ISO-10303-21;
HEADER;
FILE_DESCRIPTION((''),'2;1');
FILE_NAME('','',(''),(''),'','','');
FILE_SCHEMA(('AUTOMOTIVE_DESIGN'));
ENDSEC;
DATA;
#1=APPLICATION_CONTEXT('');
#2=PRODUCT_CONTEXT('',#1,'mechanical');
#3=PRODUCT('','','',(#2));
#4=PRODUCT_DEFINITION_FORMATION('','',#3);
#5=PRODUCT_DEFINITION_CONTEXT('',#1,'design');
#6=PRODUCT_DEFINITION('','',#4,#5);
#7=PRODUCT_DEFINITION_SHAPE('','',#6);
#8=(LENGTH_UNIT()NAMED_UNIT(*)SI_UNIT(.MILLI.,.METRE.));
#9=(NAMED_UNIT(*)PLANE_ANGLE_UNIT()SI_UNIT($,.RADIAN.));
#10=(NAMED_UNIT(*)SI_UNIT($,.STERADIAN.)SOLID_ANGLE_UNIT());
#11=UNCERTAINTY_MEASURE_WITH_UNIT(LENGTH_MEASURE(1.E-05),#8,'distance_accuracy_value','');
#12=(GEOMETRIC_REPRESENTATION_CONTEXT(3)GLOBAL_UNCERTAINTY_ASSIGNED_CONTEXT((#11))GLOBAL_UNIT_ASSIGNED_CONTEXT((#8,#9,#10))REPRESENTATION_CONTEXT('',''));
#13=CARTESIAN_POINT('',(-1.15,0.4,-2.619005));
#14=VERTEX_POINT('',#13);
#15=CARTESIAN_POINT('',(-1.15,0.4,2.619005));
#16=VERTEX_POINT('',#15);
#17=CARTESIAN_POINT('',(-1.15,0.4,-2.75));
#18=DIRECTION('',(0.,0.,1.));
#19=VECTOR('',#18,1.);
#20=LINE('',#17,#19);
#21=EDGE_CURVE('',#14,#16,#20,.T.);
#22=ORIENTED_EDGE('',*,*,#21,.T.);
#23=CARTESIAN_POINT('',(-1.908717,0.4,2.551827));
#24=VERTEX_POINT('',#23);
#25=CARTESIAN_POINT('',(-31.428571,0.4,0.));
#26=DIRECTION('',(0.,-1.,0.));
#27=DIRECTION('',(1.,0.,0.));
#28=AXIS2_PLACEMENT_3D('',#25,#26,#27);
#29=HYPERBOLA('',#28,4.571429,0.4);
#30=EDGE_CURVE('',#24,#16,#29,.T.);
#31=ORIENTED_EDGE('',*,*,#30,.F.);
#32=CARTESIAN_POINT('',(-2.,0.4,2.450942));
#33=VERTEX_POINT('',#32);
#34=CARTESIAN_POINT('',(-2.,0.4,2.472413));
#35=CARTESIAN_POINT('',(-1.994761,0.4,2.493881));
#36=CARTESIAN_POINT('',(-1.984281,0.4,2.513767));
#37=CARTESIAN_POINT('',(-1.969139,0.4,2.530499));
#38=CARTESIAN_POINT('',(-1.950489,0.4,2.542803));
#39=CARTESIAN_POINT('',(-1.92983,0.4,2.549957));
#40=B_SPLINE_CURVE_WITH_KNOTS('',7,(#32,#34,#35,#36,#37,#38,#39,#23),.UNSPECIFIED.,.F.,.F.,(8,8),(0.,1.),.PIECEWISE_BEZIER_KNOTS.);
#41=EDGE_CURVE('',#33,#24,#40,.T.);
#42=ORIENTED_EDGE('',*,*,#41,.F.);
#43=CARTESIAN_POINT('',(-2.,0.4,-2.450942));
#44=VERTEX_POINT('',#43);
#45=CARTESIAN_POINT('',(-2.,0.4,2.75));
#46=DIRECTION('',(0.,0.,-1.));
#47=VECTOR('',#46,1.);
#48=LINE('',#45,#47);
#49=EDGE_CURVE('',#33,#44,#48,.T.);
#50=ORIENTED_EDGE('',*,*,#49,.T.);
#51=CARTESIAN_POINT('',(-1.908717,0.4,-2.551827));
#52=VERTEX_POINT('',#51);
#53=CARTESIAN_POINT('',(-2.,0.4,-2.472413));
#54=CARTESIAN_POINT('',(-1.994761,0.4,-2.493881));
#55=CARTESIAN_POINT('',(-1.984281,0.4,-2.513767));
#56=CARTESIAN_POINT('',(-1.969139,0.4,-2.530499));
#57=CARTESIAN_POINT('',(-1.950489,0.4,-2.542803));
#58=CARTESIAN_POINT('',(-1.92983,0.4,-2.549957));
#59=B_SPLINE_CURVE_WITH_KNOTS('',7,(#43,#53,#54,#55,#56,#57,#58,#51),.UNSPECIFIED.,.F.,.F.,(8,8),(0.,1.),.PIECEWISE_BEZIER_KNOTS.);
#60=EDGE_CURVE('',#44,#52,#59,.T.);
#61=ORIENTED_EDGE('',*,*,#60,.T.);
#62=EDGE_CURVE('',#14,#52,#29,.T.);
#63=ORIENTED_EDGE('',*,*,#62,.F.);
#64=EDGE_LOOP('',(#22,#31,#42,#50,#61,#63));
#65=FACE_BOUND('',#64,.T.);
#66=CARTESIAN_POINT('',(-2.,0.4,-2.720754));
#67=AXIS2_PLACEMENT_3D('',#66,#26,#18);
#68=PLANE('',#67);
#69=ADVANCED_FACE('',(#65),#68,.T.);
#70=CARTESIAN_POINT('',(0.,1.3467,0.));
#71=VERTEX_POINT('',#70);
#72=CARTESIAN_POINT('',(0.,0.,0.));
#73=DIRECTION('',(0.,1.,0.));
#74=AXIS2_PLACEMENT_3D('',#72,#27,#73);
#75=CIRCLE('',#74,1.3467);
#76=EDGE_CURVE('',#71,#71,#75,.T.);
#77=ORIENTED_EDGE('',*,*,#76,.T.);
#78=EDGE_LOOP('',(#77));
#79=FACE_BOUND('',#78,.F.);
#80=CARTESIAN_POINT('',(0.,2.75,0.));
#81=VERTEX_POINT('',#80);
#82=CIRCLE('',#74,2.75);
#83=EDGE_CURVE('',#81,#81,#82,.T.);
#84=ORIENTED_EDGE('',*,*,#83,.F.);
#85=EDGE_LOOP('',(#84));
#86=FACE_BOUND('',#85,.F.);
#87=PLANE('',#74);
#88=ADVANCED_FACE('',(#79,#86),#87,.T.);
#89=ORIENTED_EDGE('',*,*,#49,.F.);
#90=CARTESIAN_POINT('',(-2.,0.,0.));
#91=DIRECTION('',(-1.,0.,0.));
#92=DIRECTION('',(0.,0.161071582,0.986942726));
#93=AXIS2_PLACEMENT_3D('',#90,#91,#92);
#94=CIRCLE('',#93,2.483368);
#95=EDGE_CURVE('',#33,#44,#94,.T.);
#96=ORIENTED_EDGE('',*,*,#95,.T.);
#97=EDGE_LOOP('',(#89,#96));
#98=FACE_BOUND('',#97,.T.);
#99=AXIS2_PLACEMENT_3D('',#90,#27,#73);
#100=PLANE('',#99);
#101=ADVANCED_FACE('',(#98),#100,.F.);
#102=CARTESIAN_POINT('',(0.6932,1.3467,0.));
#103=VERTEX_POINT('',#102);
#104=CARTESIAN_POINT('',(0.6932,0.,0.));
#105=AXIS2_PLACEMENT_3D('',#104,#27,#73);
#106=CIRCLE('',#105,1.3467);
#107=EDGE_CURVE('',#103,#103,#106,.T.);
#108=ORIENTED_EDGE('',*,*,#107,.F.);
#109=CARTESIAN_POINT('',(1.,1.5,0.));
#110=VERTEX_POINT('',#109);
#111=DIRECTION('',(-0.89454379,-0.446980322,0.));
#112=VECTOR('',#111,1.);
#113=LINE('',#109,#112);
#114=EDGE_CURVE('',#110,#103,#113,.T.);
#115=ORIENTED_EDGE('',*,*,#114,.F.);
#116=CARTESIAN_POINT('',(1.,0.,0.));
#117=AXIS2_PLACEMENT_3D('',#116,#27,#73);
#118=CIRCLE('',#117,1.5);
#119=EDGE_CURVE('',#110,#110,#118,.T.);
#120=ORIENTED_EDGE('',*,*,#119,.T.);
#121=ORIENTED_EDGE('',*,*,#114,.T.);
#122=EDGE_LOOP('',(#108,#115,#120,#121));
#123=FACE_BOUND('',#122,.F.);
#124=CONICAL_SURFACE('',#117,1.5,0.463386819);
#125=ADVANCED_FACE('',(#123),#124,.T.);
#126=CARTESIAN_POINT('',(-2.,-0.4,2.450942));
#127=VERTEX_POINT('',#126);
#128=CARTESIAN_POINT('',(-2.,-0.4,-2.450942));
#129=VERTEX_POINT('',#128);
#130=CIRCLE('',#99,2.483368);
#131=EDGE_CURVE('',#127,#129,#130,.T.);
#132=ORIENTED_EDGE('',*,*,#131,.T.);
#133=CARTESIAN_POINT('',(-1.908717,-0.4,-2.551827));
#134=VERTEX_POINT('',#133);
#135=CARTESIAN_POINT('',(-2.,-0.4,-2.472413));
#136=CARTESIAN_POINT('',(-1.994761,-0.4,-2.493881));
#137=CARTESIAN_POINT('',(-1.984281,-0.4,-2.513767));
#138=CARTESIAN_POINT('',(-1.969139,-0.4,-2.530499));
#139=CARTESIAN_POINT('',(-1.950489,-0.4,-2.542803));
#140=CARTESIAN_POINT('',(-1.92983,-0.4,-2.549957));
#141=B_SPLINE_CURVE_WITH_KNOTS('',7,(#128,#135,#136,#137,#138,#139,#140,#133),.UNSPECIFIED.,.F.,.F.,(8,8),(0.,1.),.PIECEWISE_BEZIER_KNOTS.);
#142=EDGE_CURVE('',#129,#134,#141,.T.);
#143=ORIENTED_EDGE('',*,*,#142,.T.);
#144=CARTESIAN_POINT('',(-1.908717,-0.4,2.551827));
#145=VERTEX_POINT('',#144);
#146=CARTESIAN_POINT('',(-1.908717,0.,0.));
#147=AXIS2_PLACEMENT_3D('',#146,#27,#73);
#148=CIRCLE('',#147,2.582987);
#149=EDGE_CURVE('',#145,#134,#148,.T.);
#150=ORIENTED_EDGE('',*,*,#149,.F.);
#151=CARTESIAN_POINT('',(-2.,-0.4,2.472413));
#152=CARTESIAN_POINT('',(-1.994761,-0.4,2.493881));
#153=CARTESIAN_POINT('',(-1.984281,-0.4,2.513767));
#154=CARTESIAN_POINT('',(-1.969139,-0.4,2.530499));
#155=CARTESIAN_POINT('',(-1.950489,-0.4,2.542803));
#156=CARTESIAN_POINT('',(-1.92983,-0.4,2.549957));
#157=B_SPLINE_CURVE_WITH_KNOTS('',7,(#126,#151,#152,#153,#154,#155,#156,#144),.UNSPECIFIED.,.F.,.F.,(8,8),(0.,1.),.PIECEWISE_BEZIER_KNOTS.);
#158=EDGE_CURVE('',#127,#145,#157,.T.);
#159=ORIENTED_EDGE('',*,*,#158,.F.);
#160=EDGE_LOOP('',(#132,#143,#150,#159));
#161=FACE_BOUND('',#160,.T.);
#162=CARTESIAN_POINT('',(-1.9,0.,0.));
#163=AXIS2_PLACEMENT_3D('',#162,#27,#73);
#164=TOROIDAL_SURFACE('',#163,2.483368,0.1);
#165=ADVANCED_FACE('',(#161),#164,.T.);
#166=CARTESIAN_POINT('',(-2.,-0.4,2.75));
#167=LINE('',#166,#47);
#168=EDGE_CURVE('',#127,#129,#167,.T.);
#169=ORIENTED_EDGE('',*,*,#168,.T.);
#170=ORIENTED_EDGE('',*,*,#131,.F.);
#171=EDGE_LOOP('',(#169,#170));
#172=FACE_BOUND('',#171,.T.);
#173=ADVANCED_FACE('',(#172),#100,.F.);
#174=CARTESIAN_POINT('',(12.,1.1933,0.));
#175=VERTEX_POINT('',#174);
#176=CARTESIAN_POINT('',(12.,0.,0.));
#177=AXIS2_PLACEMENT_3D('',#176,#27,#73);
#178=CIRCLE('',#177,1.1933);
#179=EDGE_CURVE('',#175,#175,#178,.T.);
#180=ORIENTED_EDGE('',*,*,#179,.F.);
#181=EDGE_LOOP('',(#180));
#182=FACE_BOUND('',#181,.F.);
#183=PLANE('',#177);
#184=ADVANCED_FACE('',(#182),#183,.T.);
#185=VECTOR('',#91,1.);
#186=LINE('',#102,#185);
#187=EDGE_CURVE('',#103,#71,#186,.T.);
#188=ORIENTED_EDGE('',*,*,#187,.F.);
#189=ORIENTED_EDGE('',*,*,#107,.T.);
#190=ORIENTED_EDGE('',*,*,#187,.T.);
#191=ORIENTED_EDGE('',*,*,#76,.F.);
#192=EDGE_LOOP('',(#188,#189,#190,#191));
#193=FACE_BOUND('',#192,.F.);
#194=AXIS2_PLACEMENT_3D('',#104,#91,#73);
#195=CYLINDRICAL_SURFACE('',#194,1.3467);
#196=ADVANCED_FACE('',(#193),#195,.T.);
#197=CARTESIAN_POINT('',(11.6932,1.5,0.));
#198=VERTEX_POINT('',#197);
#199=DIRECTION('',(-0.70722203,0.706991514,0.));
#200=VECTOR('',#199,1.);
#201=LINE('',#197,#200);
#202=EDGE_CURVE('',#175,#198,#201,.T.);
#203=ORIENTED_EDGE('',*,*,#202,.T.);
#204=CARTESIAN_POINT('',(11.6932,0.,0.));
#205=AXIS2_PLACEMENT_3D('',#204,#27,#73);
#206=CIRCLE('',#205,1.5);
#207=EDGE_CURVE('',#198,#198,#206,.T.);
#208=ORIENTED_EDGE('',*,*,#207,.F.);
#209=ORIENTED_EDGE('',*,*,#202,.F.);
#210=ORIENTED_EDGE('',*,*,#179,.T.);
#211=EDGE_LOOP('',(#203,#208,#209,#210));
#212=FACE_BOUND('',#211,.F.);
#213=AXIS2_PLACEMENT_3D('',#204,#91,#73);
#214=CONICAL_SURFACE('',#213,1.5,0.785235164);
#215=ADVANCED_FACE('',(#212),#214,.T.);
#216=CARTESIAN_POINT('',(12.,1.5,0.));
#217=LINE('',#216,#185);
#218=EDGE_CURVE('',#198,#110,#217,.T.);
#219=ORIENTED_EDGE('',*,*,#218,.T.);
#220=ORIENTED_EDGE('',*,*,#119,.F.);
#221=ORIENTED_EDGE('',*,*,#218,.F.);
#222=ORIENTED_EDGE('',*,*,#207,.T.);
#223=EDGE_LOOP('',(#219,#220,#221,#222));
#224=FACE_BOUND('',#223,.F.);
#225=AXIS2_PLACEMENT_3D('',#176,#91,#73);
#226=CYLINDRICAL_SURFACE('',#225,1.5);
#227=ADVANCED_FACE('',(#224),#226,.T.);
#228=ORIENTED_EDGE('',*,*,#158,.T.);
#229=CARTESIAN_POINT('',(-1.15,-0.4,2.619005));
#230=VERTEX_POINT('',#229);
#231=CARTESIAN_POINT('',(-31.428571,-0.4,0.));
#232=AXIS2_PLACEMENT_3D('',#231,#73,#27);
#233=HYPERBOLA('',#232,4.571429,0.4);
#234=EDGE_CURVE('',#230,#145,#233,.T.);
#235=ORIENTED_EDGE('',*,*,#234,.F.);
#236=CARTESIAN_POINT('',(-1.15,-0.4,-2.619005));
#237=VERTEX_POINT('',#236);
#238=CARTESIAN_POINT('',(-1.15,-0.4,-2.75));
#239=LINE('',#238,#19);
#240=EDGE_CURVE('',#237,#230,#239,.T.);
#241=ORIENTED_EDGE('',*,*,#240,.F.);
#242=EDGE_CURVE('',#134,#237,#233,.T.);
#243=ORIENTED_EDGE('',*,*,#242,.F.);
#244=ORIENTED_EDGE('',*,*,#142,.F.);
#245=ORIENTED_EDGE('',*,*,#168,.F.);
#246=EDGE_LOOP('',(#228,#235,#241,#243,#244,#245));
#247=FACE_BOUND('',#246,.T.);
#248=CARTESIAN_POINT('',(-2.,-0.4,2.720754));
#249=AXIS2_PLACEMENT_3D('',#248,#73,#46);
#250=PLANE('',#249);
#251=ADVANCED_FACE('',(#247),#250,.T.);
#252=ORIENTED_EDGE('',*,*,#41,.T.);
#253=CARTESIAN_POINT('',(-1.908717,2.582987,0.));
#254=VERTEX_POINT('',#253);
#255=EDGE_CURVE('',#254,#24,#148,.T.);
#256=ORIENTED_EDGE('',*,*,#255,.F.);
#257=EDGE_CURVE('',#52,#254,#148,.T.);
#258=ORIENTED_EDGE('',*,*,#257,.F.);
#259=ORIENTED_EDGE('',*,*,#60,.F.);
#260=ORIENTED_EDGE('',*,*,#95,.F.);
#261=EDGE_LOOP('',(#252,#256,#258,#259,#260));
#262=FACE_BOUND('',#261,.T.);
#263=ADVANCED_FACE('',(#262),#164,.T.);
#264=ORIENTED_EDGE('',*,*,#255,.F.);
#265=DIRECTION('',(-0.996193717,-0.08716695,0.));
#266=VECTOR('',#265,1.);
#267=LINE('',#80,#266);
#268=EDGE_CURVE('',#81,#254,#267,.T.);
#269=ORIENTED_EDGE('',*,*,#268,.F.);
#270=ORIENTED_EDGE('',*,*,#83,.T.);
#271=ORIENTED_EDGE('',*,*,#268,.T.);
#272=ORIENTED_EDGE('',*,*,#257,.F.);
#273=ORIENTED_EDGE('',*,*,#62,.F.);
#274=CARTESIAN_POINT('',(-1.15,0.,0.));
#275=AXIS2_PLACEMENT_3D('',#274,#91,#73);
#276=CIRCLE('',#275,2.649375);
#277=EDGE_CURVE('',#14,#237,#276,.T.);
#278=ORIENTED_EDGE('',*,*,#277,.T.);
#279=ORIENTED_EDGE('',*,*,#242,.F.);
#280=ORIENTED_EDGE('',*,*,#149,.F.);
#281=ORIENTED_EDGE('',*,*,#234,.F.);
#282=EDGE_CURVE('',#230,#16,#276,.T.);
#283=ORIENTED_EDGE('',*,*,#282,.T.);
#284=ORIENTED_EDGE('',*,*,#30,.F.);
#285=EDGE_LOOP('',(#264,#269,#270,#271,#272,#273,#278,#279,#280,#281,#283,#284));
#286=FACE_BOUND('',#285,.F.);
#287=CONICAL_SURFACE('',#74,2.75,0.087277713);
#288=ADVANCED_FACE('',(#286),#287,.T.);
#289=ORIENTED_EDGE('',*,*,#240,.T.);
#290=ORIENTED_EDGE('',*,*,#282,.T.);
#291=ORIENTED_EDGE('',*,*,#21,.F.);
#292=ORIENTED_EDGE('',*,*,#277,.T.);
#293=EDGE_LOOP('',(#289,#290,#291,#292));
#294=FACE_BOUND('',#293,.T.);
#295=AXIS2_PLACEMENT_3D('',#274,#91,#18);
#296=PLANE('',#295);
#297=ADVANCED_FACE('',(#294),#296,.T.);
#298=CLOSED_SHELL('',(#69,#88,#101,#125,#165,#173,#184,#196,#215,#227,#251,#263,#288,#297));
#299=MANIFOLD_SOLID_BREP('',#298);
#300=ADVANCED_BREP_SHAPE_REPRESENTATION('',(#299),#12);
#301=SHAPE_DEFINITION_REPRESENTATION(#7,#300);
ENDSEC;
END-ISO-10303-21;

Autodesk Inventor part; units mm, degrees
ref_plane "YZ Plane" through (0, 0, 0) normal (1, 0, 0) x (0, 1, 0)
ref_plane "XZ Plane" through (0, 0, 0) normal (0, 1, 0) x (-1, 0, 0)
sketch "Sketch1" plane through (0, 0, 0) normal (0, 0, 1) x (1, 0, 0)
  line L0 (-2, 0) -> (12, 0)
  line L1 (12, 0) -> (12, 1.5)
  line L2 (12, 1.5) -> (1, 1.5)
  line L3 (1, 1.5) -> (0.6932, 1.3467)
  line L4 (0.6932, 1.3467) -> (0, 1.3467)
  line L5 (0, 1.3467) -> (0, 2.75)
  line L6 (-4.8, 0) -> (14.8, 0) projected
  line L7 (0, -0.55) -> (0, 3.3) projected
  line L8 (-2, 0) -> (-2, 2.575)
  line L9 (0, 2.75) -> (-2, 2.575)
  line L10 (1, 1.5) -> (0, 1.5) construction
  dimension "d0" = 12
  dimension "d1" = 11
  dimension "d2" = 0.3068
  dimension "d3" = 2
  dimension "d4" = 3
  dimension "d5" = 2.6935
  dimension "d9" = 5.5
  dimension "d10" = 5
revolve "Body" add sketch "Sketch1" angle 360 about axis through (-2, 0, 0) along (1, 0, 0)
sketch "Sketch2" plane through (-2, 0, 0) normal (-1, 0, 0) x (0, 0, 1)
  circle A0 centre (0, 0) radius 2.75 projected
  line L0 (0, 0) -> (0, 2.575) projected
  line L1 (-2.75, 0.4) -> (2.75, 0.4)
  line L2 (2.75, 0.4) -> (2.75, -0.4)
  line L3 (2.75, -0.4) -> (-2.75, -0.4)
  line L4 (-2.75, -0.4) -> (-2.75, 0.4)
  line L5 (-2.75, 0) -> (2.75, 0) construction
  line L6 (0, 0.4) -> (0, -0.4) construction
  dimension "d11" = 0.8
  dimension "d12" = 5.5
fillet "Fillet1" radius 0.1 1 edges at (-2, -2.575, 0)
extrude "Slot" cut sketch "Sketch2" against normal blind 0.85 contours A0 L3 L1 | L2 L3 A0 | A0 L1 L2 | A0 L4 L1 | L3 L4 A0
thread "Thread" size "M3x0.5" class "6g" standard "ISO Metric profile" length 11
chamfer "Chamfer1" distance 0.3067 distance2 0.3068 1 edges at (12, -1.5, 0) measured on face at (12, 0.417, 0.2189)
ref_plane "Work Plane1" through (30.1625, 0, 0) normal (0, 0, -1) x (1, 0, 0)
equation "\"d11\" = SBR"
equation "\"d12\" = KOD"
equation "\"d19\" = STI"
equation "\"d14\" = RR"
equation "\"d15\" = GEL"
equation "\"d17\" = -0.5 * SPD + 0.5 * GD"
equation "\"d0\" = NLG"
equation "\"d1\" = GEL"
equation "\"d3\" = KOH"
equation "\"d4\" = GD"
equation "\"d5\" = BDM"
equation "\"d9\" = KOD"
equation "\"d10\" = KEWI"
equation "\"GD\" = NND"
equation "\"NLG\" = 12"
equation "\"GEL\" = 11"
equation "\"KOD\" = 5.5"
equation "\"KOH\" = 2"
equation "\"GAL\" = 0.61345 * PTC"
equation "\"SPD\" = NND - 1.2269 * PTC"
equation "\"BDM\" = 2.6935"
equation "\"GUL\" = 0.61345 * PTC"
equation "\"RR\" = 0.1"
equation "\"SBR\" = 0.8"
equation "\"STI\" = 0.85"
equation "\"KEWI\" = 5deg"
equation "\"PTC\" = 0.5"
equation "\"THREADDIA\" = 3"
equation "\"TOA\" = 30deg"
equation "\"NND\" = 3"
equation "\"GD1\" = THREADDIA - 1.2269 * PTC"
properties part number "ISO 1207 - M3 x 12" material "Stainless Steel, 440C"
